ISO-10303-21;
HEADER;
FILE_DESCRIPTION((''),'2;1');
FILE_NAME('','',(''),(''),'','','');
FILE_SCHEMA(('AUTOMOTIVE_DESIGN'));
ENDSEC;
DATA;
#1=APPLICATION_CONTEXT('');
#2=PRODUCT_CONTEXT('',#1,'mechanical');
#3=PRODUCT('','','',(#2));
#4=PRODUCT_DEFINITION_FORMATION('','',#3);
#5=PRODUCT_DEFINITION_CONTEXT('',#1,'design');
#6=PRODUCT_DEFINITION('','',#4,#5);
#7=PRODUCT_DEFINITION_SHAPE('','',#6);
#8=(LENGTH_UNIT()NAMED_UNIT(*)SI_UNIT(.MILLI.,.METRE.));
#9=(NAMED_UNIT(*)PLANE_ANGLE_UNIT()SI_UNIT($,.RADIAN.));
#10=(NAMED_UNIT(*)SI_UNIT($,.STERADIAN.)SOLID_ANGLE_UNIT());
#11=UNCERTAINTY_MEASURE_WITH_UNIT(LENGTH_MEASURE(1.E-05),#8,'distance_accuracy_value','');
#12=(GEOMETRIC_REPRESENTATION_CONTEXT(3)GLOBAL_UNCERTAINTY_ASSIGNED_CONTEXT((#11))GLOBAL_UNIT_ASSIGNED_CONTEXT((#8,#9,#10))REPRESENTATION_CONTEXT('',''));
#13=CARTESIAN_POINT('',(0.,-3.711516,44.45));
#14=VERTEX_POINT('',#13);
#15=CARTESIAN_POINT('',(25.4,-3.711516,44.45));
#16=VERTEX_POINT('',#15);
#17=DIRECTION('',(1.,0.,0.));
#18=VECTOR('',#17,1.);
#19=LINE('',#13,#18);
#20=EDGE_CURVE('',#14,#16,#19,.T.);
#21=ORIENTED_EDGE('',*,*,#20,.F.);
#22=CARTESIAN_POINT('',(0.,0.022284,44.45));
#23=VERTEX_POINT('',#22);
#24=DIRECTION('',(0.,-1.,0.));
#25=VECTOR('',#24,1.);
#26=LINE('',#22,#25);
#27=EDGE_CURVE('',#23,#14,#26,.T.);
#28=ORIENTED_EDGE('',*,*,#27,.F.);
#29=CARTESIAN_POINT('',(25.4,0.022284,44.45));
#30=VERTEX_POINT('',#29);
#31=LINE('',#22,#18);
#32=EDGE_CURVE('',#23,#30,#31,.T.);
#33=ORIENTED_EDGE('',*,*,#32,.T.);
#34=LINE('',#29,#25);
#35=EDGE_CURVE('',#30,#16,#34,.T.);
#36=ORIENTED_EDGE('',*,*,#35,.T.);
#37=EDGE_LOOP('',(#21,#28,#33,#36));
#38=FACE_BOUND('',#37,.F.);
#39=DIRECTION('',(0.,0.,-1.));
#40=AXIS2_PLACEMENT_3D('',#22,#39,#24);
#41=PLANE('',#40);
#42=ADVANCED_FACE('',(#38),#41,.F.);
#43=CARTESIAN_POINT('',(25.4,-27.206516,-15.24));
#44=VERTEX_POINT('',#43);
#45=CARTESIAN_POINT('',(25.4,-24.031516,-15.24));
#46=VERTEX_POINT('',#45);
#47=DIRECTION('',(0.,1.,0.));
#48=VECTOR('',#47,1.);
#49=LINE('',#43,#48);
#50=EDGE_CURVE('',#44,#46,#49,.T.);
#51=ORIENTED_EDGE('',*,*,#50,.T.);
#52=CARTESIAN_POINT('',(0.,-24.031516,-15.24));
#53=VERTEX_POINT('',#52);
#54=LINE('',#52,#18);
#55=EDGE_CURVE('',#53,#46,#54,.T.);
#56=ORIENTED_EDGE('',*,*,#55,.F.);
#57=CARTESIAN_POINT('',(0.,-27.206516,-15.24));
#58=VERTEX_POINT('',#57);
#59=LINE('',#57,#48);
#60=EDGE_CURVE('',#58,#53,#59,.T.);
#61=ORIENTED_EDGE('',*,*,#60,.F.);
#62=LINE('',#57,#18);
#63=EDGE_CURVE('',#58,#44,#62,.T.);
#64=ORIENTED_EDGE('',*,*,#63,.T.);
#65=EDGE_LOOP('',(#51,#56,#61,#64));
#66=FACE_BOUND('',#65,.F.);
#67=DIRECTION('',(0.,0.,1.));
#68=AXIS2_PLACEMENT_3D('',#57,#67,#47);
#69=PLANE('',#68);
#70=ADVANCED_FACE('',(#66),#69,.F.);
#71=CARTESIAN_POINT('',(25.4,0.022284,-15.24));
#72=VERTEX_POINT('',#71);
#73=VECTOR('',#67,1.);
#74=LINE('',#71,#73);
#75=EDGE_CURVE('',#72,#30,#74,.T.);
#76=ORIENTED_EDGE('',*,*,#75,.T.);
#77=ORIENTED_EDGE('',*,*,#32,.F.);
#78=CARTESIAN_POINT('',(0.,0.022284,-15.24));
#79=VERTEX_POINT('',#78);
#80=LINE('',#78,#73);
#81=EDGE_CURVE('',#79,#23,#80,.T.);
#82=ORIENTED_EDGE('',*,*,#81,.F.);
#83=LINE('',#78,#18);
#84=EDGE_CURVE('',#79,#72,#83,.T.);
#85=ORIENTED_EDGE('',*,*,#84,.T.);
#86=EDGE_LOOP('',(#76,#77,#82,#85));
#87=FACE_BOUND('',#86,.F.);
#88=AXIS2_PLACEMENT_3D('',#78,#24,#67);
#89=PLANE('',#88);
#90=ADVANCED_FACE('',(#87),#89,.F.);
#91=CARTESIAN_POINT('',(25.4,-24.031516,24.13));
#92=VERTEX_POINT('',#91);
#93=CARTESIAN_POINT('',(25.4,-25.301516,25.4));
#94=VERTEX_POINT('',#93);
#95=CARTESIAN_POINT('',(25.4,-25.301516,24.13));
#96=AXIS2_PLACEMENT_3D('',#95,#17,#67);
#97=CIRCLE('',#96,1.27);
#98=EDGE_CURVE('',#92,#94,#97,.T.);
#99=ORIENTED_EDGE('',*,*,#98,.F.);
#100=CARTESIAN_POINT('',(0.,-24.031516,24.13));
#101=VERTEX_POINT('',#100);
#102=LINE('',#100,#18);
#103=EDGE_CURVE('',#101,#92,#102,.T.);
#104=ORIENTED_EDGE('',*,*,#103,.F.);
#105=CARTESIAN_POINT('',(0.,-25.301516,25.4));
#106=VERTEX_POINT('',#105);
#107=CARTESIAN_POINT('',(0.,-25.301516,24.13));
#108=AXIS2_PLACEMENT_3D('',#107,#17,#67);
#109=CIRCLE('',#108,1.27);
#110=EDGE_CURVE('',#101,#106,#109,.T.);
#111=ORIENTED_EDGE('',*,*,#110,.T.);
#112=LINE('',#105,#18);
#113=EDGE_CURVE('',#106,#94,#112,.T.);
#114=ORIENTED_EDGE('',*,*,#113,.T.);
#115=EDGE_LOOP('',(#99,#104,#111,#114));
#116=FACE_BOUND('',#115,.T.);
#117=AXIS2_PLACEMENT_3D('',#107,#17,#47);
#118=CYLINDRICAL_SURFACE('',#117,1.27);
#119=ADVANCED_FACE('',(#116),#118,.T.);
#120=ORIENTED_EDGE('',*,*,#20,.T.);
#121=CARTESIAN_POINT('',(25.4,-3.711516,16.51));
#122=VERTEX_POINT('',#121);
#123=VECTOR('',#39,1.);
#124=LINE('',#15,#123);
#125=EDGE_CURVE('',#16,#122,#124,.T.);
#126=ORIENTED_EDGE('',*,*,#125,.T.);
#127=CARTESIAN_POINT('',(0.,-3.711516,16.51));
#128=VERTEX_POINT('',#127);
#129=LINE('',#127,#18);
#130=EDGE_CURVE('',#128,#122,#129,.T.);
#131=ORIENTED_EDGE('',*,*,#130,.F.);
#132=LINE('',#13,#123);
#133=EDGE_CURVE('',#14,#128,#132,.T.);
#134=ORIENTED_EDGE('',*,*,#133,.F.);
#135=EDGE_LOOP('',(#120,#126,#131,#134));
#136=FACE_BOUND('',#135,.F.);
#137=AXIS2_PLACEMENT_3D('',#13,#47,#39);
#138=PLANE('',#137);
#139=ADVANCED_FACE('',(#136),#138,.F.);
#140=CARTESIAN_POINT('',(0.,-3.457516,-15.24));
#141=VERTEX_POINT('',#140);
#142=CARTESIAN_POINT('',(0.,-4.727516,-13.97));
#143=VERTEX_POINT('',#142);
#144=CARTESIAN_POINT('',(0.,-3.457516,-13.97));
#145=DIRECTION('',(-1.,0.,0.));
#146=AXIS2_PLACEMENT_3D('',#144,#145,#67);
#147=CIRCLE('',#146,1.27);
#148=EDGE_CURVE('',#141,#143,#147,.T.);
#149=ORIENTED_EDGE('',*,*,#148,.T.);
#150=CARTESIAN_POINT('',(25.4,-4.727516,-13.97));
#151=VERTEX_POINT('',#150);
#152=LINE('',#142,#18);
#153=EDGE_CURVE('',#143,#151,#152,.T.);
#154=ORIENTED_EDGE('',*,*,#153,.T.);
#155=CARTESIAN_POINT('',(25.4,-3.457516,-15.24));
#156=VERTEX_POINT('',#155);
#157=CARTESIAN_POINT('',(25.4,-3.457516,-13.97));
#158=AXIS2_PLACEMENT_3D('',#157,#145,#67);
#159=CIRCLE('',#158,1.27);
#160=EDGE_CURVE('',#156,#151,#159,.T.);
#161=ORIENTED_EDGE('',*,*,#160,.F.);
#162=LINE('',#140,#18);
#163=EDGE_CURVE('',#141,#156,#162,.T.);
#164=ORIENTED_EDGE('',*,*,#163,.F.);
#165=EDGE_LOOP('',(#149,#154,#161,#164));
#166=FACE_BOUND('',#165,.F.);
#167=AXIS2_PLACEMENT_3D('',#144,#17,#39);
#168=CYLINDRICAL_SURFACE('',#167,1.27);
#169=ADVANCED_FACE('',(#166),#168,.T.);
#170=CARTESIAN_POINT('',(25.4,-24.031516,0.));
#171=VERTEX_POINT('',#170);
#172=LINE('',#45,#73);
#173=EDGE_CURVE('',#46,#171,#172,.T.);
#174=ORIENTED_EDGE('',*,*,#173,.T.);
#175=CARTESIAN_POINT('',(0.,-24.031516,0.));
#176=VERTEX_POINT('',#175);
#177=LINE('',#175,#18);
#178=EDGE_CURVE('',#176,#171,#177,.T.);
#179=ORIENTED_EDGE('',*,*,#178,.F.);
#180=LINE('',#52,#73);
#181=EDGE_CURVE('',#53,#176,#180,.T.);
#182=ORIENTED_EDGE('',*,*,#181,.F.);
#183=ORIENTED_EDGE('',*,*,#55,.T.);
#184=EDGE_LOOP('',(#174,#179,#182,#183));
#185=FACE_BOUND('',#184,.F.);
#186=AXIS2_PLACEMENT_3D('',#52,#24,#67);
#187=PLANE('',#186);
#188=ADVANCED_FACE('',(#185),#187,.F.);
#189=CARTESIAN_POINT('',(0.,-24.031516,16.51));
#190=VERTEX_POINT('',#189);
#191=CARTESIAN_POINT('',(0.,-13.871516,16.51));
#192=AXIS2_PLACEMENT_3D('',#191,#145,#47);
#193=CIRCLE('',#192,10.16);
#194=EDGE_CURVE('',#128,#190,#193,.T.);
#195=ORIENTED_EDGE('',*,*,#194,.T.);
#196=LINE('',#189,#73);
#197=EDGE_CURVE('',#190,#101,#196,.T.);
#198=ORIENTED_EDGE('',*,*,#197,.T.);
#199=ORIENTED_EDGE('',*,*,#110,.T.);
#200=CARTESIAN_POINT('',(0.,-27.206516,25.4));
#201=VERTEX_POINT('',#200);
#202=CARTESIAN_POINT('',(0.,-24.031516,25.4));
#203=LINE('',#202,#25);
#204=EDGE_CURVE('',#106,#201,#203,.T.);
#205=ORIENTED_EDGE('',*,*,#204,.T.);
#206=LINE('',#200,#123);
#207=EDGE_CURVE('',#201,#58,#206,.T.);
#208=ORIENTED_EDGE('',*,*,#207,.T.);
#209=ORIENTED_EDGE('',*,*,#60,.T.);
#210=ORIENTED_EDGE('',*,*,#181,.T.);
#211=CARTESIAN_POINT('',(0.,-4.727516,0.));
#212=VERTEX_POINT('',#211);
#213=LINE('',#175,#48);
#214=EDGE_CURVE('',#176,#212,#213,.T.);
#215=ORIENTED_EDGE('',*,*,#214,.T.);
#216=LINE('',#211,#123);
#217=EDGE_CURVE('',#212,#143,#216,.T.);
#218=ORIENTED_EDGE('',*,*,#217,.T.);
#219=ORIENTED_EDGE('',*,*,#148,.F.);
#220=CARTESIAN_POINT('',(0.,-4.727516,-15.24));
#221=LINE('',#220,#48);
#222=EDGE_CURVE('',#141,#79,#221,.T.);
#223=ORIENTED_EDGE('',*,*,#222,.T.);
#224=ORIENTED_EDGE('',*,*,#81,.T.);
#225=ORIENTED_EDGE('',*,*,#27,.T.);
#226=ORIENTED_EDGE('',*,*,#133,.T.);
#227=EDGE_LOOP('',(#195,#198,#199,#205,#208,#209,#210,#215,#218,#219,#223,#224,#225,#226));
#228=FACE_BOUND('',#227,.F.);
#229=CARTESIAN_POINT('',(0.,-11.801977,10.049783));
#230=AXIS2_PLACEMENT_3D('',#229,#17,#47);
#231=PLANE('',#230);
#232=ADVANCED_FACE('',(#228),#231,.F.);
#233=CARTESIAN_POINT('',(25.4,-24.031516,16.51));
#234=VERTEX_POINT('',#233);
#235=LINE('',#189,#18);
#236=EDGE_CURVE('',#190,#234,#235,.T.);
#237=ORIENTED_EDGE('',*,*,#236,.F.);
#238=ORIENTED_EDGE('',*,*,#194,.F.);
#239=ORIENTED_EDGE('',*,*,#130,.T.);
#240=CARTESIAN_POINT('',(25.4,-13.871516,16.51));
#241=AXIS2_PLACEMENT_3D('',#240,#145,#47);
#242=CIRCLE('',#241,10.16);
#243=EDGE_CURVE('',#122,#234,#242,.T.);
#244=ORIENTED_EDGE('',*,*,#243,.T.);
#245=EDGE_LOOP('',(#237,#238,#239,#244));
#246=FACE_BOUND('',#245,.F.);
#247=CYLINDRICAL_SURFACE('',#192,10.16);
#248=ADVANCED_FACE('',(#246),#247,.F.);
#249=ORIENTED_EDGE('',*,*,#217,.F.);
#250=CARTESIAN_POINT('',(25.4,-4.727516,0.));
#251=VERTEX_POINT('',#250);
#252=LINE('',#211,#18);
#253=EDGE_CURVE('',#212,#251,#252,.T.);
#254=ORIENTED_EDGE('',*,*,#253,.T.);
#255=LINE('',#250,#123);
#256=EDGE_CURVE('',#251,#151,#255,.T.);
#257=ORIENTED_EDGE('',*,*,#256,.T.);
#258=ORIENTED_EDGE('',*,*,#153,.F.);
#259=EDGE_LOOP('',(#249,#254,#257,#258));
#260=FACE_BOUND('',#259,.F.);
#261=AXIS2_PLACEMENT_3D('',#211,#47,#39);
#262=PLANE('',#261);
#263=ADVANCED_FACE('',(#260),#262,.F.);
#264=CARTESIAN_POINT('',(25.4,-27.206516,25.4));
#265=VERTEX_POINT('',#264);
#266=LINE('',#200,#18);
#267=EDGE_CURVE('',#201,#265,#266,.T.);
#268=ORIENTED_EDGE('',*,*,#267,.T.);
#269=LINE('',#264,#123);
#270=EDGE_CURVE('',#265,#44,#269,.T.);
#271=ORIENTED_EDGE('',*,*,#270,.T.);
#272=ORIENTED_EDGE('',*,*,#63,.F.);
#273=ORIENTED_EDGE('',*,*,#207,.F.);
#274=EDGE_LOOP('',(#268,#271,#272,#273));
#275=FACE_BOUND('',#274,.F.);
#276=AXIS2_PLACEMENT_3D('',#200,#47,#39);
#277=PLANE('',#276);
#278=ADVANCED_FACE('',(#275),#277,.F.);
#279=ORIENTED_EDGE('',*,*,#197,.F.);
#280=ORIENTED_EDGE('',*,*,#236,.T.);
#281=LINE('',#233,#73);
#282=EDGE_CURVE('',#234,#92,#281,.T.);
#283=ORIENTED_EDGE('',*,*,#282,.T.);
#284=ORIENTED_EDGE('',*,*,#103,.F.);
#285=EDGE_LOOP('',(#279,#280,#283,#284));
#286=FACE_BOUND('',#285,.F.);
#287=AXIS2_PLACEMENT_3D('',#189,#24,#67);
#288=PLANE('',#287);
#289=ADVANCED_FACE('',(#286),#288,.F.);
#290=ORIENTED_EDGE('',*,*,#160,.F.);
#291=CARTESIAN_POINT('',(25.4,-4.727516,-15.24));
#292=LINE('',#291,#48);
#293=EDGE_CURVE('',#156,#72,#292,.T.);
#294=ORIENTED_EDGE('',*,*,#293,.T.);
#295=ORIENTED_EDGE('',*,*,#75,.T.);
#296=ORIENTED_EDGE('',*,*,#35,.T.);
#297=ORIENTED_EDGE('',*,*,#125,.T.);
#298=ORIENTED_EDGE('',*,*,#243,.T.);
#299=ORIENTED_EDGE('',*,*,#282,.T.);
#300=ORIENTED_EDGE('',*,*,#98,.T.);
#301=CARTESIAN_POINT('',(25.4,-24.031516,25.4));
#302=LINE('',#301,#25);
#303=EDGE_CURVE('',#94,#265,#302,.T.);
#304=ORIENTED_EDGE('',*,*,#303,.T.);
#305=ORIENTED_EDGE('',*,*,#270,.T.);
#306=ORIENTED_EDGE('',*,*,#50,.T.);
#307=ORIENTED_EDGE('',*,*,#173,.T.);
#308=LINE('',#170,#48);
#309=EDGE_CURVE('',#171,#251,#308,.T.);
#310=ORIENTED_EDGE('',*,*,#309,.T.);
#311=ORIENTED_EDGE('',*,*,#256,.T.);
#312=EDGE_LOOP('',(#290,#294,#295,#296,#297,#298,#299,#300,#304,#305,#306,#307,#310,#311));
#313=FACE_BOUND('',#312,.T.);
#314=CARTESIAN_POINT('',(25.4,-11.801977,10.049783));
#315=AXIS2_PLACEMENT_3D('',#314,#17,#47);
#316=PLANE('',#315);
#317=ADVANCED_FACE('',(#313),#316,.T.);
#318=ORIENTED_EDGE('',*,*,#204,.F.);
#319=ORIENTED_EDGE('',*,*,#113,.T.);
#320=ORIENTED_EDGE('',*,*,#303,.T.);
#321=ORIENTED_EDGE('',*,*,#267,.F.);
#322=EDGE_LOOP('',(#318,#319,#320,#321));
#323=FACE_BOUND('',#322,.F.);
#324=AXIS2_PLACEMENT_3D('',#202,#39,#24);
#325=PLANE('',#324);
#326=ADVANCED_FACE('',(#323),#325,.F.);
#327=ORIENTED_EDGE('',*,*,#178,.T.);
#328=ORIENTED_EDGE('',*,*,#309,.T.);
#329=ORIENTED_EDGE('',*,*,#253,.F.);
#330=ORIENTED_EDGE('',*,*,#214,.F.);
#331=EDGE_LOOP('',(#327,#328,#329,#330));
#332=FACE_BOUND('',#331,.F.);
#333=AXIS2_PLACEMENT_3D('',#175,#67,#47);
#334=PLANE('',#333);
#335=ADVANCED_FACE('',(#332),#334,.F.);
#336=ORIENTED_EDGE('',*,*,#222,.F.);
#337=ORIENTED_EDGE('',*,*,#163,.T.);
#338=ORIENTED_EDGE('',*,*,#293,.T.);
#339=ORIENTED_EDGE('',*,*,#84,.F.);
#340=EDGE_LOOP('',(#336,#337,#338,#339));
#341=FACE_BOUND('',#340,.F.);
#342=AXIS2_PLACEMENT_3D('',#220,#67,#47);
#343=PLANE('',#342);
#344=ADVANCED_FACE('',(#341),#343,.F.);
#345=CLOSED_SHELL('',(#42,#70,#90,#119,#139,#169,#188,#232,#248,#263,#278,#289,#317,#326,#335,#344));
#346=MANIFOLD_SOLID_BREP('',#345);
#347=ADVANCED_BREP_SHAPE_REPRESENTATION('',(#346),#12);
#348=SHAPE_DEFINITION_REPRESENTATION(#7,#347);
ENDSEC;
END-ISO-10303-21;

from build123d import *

# Parameters (mm, degrees)
F1_DEPTH = 25.4
F2_R     = 1.27
F3_R     = 1.27


with BuildPart() as f1:
    # F0 (on Right) → F1 (new body)
    with BuildSketch(Plane.YZ):
        with BuildLine():
            Line((-24.031516, -15.24), (-24.031516, 0))
            Line((-24.031516, 0), (-4.727516, 0))
            Line((-4.727516, 0), (-4.727516, -15.24))
            Line((-4.727516, -15.24), (0.022284, -15.24))
            Line((0.022284, -15.24), (0.022284, 44.45))
            Line((0.022284, 44.45), (-3.711516, 44.45))
            Line((-3.711516, 44.45), (-3.711516, 16.51))
            ThreePointArc((-3.711516, 16.51), (-13.871516, 6.35), (-24.031516, 16.51))
            Line((-24.031516, 16.51), (-24.031516, 25.4))
            Line((-24.031516, 25.4), (-27.206516, 25.4))
            Line((-27.206516, 25.4), (-27.206516, -15.24))
            Line((-27.206516, -15.24), (-26.082276, -15.24))
            Line((-26.082276, -15.24), (-24.031516, -15.24))
        make_face()
    extrude(amount=F1_DEPTH)

    # F2
    f2_edges = [f1.edges().sort_by_distance(p)[0] for p in [
        (12.7, -24.031516, 25.4),
    ]]
    fillet(f2_edges, radius=F2_R)

    # F3
    f3_edges = [f1.edges().sort_by_distance(p)[0] for p in [
        (12.7, -4.727516, -15.24),
    ]]
    fillet(f3_edges, radius=F3_R)


solid = f1.part
